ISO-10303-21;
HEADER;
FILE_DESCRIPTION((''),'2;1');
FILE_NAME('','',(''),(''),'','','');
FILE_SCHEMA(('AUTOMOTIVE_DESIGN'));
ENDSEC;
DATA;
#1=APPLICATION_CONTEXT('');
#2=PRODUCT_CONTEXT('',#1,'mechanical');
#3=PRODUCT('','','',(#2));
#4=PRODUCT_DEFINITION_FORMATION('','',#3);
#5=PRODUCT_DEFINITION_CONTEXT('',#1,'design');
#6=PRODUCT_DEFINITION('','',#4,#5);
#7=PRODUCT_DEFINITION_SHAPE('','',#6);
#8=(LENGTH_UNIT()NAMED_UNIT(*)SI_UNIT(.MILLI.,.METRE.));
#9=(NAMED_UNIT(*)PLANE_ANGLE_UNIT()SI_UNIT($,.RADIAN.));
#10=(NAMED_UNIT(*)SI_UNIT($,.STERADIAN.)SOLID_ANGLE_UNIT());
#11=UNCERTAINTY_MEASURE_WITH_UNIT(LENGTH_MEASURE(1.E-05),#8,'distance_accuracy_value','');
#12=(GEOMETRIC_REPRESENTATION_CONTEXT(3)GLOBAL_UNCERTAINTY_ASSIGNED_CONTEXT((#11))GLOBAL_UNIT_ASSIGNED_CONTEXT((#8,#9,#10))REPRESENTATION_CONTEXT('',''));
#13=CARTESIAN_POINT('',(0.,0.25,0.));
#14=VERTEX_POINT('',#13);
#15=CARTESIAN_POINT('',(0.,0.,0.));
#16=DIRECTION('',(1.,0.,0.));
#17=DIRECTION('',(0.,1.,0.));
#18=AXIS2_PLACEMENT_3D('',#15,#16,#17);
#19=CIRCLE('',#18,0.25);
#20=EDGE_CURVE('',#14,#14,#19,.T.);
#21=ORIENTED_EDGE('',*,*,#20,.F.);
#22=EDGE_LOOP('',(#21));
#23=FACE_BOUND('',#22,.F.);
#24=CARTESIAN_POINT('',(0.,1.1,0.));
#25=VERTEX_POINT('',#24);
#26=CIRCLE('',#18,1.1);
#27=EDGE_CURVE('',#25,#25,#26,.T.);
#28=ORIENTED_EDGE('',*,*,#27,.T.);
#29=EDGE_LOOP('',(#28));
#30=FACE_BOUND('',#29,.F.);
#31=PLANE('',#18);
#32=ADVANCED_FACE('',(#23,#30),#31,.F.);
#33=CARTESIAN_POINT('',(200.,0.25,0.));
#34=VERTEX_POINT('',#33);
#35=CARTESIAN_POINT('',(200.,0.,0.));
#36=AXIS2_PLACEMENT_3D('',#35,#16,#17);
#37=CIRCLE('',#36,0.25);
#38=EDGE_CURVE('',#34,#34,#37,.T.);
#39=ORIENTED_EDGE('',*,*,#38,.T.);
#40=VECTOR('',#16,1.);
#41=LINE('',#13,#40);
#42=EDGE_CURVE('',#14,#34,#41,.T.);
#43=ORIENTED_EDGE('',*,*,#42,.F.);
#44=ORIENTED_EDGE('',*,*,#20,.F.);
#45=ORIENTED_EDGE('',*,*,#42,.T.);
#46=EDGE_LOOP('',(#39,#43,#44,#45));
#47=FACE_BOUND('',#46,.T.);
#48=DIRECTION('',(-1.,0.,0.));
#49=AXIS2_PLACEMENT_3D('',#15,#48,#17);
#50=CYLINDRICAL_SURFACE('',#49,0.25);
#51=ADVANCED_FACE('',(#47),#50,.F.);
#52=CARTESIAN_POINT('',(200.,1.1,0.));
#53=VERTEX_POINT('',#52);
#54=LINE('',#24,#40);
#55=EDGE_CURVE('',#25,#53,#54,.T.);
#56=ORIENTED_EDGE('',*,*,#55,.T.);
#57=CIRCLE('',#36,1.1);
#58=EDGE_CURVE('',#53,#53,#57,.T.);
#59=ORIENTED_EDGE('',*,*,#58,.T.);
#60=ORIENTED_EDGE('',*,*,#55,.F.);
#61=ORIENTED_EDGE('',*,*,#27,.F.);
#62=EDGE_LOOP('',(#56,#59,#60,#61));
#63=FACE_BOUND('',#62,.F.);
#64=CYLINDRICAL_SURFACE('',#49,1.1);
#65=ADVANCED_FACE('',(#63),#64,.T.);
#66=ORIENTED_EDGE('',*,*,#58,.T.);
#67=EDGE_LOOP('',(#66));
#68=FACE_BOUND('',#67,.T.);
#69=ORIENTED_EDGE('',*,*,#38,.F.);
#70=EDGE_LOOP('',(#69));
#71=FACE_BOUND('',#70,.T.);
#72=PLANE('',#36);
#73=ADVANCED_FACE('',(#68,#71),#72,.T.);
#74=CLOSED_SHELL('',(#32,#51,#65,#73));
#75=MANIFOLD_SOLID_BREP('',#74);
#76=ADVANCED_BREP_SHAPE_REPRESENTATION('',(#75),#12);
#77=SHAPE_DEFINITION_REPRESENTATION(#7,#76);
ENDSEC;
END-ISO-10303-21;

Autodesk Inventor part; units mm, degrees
ref_plane "YZ Plane" through (0, 0, 0) normal (1, 0, 0) x (0, 1, 0)
ref_plane "XZ Plane" through (0, 0, 0) normal (0, 1, 0) x (-1, 0, 0)
ref_plane "XY Plane" through (0, 0, 0) normal (0, 0, 1) x (1, 0, 0)
sketch "Sketch1" plane through (0, 0, 0) normal (1, 0, 0) x (0, 1, 0)
  circle A0 centre (0, 0) radius 1.1
  circle A1 centre (0, 0) radius 0.25
  dimension "d0" = 2.2
  dimension "d1" = 0.5
extrude "Extrusion1" add sketch "Sketch1" along normal blind 200
ref_plane "Work Plane1" through (100, 0, 0) normal (1, 0, 0) x (0, 0, -1)
properties part number "00_FEP_tube_2.2x0.5mm"
